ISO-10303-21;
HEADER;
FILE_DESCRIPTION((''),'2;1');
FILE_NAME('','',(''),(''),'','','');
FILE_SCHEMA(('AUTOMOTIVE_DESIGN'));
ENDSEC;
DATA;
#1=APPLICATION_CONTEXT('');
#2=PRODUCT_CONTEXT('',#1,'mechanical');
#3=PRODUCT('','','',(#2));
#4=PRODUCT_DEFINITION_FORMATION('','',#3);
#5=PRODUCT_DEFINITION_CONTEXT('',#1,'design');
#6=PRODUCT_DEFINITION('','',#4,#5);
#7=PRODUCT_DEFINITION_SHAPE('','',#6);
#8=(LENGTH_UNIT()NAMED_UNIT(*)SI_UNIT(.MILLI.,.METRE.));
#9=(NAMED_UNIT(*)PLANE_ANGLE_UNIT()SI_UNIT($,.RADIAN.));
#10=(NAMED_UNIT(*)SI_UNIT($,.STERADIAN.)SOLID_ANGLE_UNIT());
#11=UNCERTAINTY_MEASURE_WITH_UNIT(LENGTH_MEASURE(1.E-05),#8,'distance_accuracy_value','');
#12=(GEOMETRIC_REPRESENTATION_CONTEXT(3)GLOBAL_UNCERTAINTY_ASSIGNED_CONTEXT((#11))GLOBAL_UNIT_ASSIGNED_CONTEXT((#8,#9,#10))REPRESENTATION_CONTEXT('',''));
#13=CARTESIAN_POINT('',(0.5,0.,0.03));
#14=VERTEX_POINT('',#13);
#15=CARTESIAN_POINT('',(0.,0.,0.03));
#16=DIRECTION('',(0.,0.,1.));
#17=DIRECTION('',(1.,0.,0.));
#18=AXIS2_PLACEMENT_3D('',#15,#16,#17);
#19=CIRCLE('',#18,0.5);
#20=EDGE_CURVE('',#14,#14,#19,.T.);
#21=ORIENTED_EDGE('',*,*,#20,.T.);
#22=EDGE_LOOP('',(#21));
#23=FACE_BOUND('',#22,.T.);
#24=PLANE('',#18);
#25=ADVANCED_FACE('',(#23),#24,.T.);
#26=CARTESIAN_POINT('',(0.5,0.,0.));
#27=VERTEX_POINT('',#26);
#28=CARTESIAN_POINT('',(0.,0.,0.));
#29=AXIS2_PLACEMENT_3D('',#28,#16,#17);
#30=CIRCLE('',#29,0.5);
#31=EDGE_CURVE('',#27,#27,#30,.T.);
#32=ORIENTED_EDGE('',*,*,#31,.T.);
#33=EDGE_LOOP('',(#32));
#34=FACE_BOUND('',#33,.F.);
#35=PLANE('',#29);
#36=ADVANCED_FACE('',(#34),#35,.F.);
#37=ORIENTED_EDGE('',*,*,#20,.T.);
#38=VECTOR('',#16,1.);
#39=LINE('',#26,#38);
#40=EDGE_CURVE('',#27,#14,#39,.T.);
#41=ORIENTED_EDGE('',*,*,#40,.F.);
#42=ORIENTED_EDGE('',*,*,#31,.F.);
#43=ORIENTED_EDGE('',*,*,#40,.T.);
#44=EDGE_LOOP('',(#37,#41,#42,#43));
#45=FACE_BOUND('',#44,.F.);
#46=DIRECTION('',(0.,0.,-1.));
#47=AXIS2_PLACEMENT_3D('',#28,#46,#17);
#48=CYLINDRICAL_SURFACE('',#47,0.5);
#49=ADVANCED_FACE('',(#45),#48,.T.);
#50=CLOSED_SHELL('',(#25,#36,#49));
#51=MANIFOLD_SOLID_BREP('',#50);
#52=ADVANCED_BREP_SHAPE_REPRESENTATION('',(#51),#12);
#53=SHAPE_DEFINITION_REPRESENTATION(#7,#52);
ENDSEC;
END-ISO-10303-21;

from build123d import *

# Parameters (mm, degrees)
CYLINDER_R     = 0.5
CYLINDER_DEPTH = 0.03


with BuildPart() as part:
    # Cylinder → Cylinder (new body)
    with BuildSketch(Plane.XY):
        Circle(CYLINDER_R)
    extrude(amount=CYLINDER_DEPTH)


solid = part.part
